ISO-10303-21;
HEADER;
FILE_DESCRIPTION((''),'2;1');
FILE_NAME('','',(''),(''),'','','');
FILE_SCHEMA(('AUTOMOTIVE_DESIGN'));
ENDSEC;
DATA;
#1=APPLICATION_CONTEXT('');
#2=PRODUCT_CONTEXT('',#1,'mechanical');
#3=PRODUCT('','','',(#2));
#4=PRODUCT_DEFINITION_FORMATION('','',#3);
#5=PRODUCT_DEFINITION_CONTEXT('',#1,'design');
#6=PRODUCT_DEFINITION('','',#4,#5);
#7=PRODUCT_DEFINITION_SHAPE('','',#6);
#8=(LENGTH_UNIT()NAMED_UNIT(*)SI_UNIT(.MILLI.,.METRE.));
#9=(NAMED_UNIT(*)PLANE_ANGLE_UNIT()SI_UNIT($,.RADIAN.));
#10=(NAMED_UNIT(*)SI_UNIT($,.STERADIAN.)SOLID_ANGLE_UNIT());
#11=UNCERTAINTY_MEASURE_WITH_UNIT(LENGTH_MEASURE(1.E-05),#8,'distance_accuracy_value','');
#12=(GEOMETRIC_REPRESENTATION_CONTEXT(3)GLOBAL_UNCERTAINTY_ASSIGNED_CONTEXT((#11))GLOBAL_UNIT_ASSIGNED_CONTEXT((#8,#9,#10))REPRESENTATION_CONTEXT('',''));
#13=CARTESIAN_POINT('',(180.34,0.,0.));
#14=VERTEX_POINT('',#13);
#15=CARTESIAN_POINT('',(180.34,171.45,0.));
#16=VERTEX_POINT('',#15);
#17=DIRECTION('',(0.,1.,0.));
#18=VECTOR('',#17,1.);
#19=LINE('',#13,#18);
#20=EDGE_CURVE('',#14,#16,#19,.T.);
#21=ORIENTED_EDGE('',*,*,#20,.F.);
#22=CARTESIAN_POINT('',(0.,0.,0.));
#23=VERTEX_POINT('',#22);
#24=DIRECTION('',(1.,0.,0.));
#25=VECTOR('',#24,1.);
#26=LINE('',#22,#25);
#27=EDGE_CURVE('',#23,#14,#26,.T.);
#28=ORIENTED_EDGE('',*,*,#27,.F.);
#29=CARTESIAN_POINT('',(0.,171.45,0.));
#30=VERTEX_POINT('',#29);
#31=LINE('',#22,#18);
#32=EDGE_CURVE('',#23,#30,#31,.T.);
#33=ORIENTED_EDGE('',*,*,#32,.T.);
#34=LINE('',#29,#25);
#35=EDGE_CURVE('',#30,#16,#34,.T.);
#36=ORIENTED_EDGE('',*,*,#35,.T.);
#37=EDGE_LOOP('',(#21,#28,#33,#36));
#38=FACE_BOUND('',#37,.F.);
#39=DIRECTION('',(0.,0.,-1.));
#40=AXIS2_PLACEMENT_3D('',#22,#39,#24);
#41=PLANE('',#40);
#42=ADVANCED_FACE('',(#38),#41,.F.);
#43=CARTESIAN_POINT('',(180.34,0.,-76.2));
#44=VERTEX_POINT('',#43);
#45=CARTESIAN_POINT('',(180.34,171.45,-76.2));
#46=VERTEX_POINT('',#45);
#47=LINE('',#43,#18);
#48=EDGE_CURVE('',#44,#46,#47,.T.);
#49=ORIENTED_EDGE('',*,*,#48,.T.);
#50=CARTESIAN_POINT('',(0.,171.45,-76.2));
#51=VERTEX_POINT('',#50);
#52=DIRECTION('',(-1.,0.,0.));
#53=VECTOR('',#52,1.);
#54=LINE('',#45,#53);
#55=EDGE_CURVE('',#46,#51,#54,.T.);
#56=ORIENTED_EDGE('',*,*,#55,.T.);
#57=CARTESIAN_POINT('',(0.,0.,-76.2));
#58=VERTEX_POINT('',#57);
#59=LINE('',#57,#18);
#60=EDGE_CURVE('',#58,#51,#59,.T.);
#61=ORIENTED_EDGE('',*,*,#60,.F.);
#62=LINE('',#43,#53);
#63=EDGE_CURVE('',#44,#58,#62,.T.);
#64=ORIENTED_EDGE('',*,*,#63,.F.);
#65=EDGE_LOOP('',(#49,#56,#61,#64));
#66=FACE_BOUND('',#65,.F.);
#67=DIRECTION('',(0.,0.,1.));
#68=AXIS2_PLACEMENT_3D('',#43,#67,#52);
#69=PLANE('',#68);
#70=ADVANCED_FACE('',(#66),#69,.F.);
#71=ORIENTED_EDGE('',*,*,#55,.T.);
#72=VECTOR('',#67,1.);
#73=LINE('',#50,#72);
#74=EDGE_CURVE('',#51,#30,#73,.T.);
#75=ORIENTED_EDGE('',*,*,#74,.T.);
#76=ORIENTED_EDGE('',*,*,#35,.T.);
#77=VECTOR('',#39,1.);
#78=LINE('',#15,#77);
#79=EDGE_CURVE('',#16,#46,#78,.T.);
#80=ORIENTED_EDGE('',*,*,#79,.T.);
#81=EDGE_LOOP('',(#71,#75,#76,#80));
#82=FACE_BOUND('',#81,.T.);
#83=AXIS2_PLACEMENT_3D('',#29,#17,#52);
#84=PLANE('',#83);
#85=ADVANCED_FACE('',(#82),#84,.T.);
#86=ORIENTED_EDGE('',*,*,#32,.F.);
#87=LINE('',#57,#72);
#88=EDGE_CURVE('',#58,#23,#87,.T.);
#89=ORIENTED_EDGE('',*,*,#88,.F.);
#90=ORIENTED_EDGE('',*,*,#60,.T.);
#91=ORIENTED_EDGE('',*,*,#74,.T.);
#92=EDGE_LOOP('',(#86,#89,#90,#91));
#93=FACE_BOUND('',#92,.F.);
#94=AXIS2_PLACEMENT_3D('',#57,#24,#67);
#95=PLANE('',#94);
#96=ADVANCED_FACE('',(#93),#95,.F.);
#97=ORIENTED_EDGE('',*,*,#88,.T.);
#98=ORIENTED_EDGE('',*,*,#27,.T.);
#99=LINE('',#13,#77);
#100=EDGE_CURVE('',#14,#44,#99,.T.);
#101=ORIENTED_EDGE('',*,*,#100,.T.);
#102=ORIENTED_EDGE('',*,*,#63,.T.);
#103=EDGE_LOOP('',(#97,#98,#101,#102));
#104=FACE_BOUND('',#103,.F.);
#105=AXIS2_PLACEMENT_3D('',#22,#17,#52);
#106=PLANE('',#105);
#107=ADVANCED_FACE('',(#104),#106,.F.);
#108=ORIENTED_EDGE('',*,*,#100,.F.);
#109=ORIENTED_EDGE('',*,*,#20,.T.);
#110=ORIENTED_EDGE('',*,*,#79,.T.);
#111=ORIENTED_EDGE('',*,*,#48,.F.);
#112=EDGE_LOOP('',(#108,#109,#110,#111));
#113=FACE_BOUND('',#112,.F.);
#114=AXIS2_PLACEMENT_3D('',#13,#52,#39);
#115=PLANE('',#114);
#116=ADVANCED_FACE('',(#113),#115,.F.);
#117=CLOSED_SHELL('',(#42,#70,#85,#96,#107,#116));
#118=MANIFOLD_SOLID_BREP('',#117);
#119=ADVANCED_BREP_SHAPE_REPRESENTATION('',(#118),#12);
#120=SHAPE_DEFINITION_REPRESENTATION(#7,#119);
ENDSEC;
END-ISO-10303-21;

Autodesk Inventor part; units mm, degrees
ref_plane "YZ Plane" through (0, 0, 0) normal (1, 0, 0) x (0, 1, 0)
ref_plane "XZ Plane" through (0, 0, 0) normal (0, 1, 0) x (-1, 0, 0)
ref_plane "XY Plane" through (0, 0, 0) normal (0, 0, 1) x (1, 0, 0)
sketch "Sketch1" plane through (0, 0, 0) normal (0, 1, 0) x (-1, 0, 0)
  line L0 (0, 0) -> (-180.34, 0)
  line L1 (-180.34, 0) -> (-180.34, -76.2)
  line L2 (-180.34, -76.2) -> (0, -76.2)
  line L3 (0, -76.2) -> (0, 0)
  dimension "d0" = 76.2
  dimension "d1" = 180.34
extrude "Extrusion1" add sketch "Sketch1" along normal blind 171.45
properties part number "Battery"
